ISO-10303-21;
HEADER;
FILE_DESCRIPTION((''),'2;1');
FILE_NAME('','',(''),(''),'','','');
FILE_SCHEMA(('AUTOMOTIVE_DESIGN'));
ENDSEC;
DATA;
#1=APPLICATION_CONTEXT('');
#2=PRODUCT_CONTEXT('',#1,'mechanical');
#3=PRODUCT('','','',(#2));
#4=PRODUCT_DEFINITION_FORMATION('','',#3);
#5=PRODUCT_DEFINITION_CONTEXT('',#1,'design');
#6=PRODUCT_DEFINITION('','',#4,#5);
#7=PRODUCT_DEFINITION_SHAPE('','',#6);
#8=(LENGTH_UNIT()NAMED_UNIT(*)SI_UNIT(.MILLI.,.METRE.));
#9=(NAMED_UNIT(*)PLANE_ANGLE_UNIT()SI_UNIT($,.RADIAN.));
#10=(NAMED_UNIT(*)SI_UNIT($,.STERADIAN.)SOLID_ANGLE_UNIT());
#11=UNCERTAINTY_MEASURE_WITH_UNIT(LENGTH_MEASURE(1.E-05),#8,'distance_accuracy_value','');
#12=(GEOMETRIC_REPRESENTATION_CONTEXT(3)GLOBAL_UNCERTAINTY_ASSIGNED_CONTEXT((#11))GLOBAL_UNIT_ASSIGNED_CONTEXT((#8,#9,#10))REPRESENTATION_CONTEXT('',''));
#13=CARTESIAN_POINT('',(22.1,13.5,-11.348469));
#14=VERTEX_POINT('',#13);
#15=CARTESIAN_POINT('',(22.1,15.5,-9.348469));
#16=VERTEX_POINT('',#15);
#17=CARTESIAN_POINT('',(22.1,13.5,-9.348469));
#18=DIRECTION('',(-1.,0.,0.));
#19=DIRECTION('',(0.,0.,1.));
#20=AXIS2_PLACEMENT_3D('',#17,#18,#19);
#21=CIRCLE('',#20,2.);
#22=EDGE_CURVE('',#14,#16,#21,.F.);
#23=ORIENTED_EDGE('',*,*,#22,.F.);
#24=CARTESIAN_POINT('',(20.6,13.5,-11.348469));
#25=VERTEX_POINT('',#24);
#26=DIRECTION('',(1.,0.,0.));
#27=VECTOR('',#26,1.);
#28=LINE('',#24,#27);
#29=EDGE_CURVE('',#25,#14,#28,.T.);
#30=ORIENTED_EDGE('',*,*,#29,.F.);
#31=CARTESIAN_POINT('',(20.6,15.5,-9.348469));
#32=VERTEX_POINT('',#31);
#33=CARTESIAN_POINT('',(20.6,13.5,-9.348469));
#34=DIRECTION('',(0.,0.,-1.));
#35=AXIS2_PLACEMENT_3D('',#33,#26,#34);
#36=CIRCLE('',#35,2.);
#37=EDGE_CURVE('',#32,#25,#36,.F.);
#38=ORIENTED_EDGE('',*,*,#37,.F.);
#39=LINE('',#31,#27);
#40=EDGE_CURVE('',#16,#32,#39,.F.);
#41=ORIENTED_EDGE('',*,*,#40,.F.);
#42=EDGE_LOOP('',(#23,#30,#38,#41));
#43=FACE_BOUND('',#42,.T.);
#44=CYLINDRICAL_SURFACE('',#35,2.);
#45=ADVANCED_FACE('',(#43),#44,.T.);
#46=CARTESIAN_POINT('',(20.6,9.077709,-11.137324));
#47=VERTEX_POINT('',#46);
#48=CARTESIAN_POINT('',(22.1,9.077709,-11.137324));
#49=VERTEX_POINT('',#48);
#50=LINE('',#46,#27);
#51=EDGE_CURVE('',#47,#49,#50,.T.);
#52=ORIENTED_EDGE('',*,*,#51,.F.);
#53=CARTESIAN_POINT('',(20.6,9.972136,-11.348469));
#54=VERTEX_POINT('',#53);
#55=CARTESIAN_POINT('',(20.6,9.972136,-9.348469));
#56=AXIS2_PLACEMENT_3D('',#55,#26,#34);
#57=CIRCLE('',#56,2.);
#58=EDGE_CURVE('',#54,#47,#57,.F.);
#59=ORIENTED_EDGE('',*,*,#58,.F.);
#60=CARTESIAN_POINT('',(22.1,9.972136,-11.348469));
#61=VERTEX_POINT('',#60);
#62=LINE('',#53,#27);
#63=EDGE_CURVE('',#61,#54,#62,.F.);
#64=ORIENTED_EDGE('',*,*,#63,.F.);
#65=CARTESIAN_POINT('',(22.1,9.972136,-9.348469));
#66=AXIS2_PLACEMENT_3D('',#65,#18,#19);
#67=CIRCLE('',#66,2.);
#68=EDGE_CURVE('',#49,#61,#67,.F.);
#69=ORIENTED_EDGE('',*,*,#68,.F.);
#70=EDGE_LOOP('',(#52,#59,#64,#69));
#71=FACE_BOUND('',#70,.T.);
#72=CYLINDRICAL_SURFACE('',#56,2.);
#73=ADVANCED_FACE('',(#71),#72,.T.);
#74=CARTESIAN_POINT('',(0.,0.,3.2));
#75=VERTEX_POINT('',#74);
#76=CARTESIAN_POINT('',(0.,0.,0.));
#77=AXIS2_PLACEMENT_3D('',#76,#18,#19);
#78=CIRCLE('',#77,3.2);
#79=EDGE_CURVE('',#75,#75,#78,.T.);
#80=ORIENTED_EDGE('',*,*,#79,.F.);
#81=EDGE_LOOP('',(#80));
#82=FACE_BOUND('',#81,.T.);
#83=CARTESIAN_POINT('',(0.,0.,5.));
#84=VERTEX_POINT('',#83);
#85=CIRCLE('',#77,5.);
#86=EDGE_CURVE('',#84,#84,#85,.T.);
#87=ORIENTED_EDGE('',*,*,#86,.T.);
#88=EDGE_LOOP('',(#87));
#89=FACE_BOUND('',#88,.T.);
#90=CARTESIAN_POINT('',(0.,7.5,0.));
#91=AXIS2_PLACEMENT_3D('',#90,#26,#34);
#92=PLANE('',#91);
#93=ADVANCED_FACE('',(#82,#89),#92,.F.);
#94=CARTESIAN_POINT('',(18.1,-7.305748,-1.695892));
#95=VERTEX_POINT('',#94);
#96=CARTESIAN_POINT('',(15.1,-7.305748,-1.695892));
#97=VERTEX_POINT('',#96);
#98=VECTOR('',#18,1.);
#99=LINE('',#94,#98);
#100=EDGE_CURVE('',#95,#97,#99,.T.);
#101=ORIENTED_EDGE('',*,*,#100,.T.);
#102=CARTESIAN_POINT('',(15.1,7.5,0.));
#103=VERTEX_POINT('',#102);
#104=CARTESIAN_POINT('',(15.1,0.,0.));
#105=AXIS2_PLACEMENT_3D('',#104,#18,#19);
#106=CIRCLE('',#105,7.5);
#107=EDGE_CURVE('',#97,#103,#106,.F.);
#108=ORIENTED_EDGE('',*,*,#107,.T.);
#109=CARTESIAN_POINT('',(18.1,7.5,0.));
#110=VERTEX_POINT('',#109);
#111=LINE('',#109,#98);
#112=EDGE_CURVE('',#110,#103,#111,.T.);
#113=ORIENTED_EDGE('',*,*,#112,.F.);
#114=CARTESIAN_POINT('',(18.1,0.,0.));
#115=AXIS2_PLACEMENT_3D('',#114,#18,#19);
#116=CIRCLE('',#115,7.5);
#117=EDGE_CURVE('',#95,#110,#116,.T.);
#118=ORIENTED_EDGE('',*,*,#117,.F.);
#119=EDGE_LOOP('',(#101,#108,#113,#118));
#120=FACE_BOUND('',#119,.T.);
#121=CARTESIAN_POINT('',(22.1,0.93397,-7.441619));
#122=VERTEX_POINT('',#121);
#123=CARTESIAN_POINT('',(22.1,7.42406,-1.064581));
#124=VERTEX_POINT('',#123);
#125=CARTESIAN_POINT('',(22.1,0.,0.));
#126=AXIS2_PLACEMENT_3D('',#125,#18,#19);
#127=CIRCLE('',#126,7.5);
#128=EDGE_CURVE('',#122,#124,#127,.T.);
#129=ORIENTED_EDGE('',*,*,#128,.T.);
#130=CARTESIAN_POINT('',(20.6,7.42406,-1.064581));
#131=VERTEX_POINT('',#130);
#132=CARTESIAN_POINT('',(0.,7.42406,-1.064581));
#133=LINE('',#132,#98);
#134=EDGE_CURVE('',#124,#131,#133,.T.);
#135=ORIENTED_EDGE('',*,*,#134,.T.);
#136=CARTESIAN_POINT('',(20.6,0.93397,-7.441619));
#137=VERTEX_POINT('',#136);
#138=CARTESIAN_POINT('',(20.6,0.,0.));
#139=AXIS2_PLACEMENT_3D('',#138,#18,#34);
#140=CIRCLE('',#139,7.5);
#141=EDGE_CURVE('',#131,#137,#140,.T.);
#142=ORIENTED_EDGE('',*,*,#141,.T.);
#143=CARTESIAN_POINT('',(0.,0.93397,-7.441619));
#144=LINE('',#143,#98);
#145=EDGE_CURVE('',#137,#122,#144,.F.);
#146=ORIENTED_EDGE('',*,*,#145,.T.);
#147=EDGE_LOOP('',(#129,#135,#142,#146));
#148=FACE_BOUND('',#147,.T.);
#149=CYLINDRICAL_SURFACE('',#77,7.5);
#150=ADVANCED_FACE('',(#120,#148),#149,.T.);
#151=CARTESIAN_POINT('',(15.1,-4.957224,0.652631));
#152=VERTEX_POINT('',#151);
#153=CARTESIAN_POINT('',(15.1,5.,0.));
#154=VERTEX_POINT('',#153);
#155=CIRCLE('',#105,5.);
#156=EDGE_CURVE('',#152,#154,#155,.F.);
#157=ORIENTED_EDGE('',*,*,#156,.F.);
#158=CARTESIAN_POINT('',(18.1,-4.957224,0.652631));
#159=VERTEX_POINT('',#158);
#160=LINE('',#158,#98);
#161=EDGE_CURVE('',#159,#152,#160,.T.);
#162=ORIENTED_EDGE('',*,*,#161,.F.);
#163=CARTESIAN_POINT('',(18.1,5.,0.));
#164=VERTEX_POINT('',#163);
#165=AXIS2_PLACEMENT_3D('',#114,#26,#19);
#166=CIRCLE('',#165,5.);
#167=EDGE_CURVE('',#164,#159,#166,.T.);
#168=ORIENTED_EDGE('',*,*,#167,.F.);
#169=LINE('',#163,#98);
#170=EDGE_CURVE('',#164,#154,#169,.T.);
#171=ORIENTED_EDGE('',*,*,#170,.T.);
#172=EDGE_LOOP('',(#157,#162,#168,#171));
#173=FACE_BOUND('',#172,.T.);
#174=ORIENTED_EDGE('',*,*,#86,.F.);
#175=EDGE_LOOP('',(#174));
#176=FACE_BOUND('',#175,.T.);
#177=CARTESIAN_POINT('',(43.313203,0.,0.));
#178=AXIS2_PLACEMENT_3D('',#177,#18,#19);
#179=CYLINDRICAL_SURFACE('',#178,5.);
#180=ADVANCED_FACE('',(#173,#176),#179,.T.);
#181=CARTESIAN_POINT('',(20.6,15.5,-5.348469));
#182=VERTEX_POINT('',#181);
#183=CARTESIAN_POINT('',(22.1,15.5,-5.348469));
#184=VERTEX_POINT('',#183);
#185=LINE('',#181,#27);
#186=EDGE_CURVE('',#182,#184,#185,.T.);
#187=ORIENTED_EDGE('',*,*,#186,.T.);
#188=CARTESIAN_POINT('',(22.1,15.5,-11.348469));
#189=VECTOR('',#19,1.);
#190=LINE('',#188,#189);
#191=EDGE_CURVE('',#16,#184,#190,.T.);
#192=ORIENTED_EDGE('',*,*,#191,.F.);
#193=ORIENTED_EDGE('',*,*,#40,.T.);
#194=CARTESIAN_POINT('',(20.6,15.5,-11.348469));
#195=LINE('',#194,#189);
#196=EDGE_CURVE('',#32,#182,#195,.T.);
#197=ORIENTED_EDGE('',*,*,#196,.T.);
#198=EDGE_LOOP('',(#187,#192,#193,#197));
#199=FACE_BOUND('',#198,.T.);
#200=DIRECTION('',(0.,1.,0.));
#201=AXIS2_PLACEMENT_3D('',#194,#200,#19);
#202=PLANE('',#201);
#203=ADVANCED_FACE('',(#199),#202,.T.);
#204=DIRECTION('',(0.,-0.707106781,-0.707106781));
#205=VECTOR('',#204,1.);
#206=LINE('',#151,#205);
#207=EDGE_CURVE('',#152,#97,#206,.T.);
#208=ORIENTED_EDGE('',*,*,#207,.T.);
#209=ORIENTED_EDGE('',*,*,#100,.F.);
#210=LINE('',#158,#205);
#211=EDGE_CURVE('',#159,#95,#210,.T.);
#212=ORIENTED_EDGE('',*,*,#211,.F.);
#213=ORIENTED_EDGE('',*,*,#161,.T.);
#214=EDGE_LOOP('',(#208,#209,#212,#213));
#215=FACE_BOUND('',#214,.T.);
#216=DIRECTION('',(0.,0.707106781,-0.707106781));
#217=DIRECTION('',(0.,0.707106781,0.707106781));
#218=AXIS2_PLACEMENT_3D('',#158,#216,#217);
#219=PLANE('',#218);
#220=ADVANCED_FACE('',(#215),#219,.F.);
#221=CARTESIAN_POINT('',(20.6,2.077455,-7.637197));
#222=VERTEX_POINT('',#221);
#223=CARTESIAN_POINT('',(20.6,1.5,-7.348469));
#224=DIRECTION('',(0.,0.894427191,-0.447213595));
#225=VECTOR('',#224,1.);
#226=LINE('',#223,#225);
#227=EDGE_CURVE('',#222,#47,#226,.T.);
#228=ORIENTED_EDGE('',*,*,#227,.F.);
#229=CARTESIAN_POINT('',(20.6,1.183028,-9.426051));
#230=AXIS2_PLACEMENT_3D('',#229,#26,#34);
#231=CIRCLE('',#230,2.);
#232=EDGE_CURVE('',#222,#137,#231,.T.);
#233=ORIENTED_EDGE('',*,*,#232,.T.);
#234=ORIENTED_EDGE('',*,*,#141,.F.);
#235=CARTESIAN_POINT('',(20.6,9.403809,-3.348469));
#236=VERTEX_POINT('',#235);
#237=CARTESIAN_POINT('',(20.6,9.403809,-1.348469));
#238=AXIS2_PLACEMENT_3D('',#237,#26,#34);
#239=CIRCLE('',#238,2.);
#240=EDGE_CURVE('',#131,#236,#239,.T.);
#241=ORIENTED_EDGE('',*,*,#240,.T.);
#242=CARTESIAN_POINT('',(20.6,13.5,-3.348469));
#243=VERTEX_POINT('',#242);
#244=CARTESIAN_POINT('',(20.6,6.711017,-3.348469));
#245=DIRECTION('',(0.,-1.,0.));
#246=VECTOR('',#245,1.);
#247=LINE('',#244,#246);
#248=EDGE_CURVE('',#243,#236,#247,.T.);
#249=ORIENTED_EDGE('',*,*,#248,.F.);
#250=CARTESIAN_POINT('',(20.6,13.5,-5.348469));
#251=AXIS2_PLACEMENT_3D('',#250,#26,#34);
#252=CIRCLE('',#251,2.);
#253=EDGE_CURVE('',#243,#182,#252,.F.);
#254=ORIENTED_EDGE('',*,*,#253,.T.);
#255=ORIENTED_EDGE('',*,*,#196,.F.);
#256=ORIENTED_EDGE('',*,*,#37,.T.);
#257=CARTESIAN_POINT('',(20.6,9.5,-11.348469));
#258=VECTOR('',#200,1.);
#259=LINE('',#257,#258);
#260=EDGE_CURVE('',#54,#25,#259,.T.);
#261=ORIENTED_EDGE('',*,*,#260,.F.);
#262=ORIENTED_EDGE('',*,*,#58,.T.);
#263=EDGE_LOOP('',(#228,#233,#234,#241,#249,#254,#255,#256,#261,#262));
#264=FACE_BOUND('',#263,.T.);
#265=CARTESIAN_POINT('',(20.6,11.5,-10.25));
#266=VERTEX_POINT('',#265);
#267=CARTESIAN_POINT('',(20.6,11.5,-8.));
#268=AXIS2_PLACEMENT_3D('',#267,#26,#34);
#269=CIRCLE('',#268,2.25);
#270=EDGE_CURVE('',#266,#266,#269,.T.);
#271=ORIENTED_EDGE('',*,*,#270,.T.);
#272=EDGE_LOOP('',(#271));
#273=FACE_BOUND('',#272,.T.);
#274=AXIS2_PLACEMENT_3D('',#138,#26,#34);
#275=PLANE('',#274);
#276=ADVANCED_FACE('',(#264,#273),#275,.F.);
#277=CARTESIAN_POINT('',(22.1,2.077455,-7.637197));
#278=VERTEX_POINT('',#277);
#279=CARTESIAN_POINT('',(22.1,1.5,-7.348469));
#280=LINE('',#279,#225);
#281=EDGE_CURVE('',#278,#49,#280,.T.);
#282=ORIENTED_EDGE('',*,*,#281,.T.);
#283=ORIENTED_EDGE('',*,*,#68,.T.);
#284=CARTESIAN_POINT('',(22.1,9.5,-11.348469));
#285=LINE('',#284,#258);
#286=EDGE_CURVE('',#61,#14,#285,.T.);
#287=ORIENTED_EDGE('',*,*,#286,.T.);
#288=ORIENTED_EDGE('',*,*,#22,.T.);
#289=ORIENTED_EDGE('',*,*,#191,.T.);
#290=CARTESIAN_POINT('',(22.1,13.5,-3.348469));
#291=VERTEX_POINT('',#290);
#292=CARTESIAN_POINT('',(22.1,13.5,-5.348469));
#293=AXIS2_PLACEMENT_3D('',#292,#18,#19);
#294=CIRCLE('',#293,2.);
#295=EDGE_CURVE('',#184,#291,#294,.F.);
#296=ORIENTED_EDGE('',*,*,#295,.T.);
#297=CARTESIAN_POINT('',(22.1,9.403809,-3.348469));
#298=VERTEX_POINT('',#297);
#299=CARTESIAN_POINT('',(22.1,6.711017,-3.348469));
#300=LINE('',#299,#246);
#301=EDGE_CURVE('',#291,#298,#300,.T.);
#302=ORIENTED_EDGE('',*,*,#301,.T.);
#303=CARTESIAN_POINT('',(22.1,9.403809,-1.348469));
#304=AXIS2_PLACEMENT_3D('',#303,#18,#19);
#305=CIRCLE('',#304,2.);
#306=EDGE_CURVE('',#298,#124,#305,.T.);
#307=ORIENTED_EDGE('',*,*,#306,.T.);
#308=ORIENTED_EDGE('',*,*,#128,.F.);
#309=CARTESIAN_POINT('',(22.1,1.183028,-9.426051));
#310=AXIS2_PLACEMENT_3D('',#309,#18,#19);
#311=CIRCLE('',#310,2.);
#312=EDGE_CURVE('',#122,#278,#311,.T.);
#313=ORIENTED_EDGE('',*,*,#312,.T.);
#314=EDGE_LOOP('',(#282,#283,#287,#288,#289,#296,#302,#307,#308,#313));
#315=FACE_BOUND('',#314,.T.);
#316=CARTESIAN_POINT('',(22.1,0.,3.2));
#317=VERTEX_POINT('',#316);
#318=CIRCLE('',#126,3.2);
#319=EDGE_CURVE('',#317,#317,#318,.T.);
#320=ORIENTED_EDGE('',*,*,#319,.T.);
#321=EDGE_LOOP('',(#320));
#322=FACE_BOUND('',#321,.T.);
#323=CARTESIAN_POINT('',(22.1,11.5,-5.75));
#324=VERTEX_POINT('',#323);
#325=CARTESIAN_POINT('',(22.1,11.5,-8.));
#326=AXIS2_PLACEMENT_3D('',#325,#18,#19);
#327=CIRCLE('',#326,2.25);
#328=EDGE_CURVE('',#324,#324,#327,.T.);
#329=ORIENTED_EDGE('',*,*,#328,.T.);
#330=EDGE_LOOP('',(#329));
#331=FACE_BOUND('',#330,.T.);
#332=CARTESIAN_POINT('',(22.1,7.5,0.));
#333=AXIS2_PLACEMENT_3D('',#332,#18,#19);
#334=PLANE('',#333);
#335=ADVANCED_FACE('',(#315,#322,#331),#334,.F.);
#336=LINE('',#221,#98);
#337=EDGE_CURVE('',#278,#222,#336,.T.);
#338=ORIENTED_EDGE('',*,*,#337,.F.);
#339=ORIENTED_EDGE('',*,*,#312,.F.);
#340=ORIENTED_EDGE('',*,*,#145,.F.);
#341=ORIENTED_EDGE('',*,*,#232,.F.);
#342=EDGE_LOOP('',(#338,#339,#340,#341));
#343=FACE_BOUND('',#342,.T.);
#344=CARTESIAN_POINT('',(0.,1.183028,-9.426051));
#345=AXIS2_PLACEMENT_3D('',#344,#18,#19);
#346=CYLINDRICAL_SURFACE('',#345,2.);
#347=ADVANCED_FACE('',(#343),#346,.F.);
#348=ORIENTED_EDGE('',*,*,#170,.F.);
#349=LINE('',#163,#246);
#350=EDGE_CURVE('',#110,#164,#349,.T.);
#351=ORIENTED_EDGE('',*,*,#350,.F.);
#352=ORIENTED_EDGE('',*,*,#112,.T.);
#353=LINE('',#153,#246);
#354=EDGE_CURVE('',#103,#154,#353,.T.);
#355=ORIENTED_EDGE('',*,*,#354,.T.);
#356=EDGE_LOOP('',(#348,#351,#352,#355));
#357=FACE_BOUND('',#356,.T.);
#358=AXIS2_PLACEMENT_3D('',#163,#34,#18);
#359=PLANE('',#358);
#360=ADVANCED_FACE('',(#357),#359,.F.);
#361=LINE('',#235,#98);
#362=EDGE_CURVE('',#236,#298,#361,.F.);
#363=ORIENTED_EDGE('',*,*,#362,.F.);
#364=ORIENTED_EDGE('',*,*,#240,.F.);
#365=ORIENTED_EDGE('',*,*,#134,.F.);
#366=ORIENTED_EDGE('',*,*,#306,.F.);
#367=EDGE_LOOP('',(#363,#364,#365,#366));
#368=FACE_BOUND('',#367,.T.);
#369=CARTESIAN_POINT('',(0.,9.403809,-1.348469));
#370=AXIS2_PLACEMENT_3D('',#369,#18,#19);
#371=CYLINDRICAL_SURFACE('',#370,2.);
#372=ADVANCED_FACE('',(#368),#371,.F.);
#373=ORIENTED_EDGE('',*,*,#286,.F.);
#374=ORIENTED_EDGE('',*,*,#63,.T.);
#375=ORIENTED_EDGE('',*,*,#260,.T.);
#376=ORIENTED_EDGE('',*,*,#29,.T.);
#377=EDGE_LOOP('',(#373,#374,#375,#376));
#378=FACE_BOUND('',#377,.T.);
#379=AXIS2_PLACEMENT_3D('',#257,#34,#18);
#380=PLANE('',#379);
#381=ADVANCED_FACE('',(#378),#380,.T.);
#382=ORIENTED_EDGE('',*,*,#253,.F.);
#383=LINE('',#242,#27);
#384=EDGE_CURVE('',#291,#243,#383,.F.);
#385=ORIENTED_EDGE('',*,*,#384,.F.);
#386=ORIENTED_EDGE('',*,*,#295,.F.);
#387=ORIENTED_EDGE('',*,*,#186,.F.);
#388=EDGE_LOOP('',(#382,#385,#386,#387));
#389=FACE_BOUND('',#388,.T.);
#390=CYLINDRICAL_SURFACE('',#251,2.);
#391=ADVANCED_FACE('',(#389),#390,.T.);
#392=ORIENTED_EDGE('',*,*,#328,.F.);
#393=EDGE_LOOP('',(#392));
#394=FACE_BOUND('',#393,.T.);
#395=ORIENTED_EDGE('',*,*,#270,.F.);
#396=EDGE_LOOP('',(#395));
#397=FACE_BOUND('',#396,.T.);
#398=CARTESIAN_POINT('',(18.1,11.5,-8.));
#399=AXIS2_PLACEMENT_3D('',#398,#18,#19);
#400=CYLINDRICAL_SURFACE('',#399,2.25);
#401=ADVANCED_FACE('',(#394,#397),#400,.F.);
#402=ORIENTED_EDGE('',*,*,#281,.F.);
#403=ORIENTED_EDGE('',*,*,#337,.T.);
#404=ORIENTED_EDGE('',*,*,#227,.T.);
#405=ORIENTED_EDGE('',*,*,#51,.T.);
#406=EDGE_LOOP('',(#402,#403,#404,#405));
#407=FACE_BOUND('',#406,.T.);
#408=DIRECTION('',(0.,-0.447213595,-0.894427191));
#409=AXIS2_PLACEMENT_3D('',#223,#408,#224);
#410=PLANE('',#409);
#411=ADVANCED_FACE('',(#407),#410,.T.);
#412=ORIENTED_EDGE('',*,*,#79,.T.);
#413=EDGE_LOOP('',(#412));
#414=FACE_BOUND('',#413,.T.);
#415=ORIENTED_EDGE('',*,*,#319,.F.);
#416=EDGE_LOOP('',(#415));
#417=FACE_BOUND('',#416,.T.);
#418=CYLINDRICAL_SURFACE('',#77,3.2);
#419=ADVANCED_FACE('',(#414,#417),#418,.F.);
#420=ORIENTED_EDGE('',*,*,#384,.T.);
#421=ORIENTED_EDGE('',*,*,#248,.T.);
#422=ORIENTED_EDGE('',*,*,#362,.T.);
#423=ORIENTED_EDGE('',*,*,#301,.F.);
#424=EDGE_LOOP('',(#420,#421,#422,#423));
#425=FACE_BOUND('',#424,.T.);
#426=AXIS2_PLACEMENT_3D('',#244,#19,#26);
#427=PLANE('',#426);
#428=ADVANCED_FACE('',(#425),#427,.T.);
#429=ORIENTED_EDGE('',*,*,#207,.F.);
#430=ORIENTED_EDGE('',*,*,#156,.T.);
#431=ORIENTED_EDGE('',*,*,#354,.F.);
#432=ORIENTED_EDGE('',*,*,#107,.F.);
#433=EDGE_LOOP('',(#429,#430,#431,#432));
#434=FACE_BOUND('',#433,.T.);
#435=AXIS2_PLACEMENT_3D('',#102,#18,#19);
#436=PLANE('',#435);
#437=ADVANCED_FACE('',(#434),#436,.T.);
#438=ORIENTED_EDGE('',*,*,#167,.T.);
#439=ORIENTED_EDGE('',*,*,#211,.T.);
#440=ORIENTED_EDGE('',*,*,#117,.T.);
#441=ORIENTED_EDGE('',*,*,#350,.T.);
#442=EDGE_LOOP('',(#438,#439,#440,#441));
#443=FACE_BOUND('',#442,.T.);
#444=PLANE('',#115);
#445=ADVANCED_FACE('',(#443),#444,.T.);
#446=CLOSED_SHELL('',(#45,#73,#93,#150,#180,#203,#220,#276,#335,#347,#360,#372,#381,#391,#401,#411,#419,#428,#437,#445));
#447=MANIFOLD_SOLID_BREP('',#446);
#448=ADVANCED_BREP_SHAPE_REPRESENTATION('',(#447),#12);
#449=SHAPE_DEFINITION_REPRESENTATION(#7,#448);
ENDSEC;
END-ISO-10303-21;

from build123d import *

# Parameters (mm, degrees)
SKIZZE1_W                       = 22.1
SKIZZE1_H                       = 4.3
SCHNITT_LINEAR_START            = -15.1
SKIZZE2_R                       = 7.5
SKIZZE2_R_2                     = 5
SCHNITT_LINEAR_AUSTRAGEN2_DEPTH = 15.1
SCHNITT_LINEAR_START_2          = -3
SCHNITT_LINEAR_AUSTRAGEN4_DEPTH = 3
AUFSATZ_LINEAR_AUSTRAGEN1_DEPTH = 1.5
DURCHGANGSLOCH_F_R_M41_D        = 4.5
VERRUNDUNG3_R                   = 2


with BuildPart() as part:
    # Skizze1 → Rotation1 (revolve)
    with BuildSketch(Plane.XY, mode=Mode.PRIVATE) as rotation1_sk:
        with Locations((11.05, 5.35)):
            Rectangle(SKIZZE1_W, SKIZZE1_H)
    revolve(rotation1_sk.sketch.rotate(Axis((0, 0, 0), (1, 0, 0)), 90), axis=Axis((0, 0, 0), (1, 0, 0)))

    # Skizze2 → Schnitt-Linear austragen2 (cut)
    with BuildSketch(Plane.ZY.offset(SCHNITT_LINEAR_START)):
        Circle(SKIZZE2_R)
        Circle(SKIZZE2_R_2, mode=Mode.SUBTRACT)
    extrude(amount=SCHNITT_LINEAR_AUSTRAGEN2_DEPTH, mode=Mode.SUBTRACT)

    # Skizze3 → Schnitt-Linear austragen4 (cut)
    with BuildSketch(Plane.ZY.offset(-15.1).offset(SCHNITT_LINEAR_START_2)):
        with BuildLine():
            Line((0, 5), (0, 7.5))
            ThreePointArc((0, 7.5), (7.451278665, -0.853490626), (-1.695892399, -7.305747667))
            Line((-1.695892399, -7.305747667), (0.652630961, -4.957224307))
            ThreePointArc((0.652630961, -4.957224307), (4.989294616, 0.327015646), (0, 5))
        make_face()
    extrude(amount=SCHNITT_LINEAR_AUSTRAGEN4_DEPTH, mode=Mode.SUBTRACT)

    # Skizze4 → Aufsatz-Linear austragen1 (add)
    with BuildSketch(Plane(origin=(22.1, 0, 0), x_dir=(0, 0, -1), z_dir=(1, 0, 0))):
        with BuildLine():
            Line((3.348469228, 6.711017347), (3.348469228, 15.5))
            Line((3.348469228, 15.5), (11.348469228, 15.5))
            Line((11.348469228, 15.5), (11.348469228, 9.5))
            Line((11.348469228, 9.5), (7.348469228, 1.5))
            ThreePointArc((7.348469228, 1.5), (5.949352783, 4.566749552), (3.348469228, 6.711017347))
        make_face()
    extrude(amount=-AUFSATZ_LINEAR_AUSTRAGEN1_DEPTH)

    # Durchgangsloch für M41 (through all)
    with Locations(Plane.ZY.offset(-18.1)):
        with Locations((-8, 11.5)):
            Hole(DURCHGANGSLOCH_F_R_M41_D / 2)

    # Verrundung3
    verrundung3_edges = [part.edges().sort_by_distance(p)[0] for p in [
        (21.35, 1.5, -7.348469228),
        (21.35, 6.711017347, -3.348469228),
        (21.35, 15.5, -3.348469228),
        (21.35, 15.5, -11.348469228),
        (21.35, 9.5, -11.348469228),
    ]]
    fillet(verrundung3_edges, radius=VERRUNDUNG3_R)


solid = part.part
